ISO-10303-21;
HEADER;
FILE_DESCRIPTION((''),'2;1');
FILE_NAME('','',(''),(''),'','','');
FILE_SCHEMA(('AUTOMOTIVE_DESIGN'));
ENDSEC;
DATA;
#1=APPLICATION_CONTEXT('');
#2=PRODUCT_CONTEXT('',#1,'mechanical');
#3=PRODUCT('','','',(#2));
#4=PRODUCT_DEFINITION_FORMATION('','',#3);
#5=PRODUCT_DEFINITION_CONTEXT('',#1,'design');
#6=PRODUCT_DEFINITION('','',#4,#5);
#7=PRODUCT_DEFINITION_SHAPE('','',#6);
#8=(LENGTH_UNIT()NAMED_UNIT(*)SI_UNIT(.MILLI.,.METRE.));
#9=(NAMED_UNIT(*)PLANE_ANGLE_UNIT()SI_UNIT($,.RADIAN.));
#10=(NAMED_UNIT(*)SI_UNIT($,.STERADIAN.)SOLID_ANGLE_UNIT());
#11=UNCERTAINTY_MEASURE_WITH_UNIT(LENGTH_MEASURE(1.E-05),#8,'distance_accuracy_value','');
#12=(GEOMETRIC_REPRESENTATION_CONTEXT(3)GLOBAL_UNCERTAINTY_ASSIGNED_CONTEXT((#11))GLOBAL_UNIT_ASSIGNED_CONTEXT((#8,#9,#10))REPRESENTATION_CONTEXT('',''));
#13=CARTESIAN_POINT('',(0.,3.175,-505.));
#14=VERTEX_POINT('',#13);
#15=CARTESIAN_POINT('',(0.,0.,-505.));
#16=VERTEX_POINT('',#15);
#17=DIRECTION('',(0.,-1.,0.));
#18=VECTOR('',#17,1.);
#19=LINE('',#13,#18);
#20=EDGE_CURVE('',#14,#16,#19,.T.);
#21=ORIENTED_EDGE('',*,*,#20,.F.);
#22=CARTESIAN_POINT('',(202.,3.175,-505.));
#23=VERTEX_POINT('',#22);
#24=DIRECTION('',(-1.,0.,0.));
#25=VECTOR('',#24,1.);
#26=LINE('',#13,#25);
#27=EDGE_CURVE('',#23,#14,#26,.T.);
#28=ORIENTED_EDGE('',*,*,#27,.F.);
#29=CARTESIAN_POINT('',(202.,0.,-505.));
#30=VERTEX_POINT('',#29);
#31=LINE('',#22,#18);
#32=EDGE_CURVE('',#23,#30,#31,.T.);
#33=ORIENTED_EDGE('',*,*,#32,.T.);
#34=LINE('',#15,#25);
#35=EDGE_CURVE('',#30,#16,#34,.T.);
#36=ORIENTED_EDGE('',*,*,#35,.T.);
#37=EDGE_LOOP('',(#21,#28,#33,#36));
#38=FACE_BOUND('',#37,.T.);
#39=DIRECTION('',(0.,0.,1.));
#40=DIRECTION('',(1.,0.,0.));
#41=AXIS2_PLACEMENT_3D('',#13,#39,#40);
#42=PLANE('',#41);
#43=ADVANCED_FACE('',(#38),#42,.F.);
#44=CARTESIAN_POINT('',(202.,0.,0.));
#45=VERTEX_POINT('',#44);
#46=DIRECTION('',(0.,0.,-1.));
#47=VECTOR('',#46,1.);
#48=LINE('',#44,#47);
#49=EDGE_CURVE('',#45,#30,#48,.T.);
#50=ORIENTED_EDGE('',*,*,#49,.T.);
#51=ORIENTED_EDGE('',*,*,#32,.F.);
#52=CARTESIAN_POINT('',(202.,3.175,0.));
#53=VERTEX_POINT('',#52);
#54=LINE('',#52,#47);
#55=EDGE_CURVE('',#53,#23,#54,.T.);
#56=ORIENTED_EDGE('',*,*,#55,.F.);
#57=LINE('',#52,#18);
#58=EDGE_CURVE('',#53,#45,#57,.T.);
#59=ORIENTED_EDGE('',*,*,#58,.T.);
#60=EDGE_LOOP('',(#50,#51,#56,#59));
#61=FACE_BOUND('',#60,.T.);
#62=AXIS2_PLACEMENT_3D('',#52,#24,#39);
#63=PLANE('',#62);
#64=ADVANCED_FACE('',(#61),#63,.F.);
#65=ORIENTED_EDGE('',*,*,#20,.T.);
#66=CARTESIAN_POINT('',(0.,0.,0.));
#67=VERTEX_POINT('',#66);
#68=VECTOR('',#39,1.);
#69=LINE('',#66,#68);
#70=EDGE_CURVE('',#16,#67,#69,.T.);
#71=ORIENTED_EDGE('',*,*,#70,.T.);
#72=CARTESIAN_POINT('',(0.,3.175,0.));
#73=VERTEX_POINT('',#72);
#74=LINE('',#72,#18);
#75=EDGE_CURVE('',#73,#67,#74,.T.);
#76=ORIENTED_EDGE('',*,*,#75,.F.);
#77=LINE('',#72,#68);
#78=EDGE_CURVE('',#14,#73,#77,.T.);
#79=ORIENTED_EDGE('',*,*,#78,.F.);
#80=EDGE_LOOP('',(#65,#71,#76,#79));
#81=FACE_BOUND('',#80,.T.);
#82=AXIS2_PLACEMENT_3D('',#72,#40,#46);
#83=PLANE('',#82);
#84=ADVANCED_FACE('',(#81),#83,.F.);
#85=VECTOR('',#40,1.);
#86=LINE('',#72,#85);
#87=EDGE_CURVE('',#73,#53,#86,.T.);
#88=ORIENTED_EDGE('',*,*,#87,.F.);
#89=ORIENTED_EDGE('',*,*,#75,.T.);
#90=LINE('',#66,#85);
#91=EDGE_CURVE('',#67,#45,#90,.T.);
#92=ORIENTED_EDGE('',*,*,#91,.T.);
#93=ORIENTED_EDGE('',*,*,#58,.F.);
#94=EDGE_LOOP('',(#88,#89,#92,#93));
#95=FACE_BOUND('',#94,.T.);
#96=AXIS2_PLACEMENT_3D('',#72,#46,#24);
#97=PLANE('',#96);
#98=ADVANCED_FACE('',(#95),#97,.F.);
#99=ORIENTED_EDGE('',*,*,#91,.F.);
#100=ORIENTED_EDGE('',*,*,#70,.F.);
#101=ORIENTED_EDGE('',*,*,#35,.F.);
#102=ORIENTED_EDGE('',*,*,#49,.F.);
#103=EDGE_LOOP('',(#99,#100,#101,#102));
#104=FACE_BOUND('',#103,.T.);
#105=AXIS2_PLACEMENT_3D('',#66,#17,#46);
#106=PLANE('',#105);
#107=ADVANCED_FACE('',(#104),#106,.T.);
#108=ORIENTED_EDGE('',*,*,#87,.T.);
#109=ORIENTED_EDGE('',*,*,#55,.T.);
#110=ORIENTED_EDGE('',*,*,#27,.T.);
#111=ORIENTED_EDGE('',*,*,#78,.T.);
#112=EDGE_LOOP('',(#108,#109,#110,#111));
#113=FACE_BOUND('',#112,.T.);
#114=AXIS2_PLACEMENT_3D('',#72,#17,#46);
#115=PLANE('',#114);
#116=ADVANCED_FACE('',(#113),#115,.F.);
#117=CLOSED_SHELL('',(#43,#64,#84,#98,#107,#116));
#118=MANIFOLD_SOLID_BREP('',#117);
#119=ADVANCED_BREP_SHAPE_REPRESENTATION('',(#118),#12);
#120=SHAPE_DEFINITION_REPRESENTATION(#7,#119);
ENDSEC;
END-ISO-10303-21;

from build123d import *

# Parameters (mm, degrees)
SKETCH1_W           = 202
SKETCH1_H           = 505
BOSS_EXTRUDE1_DEPTH = 3.175


with BuildPart() as part:
    # Sketch1 → Boss-Extrude1 (new body)
    with BuildSketch(Plane(origin=(0, 0, 0), x_dir=(1, 0, 0), z_dir=(0, 1, 0))):
        with Locations((101, 252.5)):
            Rectangle(SKETCH1_W, SKETCH1_H)
    extrude(amount=BOSS_EXTRUDE1_DEPTH)


solid = part.part
